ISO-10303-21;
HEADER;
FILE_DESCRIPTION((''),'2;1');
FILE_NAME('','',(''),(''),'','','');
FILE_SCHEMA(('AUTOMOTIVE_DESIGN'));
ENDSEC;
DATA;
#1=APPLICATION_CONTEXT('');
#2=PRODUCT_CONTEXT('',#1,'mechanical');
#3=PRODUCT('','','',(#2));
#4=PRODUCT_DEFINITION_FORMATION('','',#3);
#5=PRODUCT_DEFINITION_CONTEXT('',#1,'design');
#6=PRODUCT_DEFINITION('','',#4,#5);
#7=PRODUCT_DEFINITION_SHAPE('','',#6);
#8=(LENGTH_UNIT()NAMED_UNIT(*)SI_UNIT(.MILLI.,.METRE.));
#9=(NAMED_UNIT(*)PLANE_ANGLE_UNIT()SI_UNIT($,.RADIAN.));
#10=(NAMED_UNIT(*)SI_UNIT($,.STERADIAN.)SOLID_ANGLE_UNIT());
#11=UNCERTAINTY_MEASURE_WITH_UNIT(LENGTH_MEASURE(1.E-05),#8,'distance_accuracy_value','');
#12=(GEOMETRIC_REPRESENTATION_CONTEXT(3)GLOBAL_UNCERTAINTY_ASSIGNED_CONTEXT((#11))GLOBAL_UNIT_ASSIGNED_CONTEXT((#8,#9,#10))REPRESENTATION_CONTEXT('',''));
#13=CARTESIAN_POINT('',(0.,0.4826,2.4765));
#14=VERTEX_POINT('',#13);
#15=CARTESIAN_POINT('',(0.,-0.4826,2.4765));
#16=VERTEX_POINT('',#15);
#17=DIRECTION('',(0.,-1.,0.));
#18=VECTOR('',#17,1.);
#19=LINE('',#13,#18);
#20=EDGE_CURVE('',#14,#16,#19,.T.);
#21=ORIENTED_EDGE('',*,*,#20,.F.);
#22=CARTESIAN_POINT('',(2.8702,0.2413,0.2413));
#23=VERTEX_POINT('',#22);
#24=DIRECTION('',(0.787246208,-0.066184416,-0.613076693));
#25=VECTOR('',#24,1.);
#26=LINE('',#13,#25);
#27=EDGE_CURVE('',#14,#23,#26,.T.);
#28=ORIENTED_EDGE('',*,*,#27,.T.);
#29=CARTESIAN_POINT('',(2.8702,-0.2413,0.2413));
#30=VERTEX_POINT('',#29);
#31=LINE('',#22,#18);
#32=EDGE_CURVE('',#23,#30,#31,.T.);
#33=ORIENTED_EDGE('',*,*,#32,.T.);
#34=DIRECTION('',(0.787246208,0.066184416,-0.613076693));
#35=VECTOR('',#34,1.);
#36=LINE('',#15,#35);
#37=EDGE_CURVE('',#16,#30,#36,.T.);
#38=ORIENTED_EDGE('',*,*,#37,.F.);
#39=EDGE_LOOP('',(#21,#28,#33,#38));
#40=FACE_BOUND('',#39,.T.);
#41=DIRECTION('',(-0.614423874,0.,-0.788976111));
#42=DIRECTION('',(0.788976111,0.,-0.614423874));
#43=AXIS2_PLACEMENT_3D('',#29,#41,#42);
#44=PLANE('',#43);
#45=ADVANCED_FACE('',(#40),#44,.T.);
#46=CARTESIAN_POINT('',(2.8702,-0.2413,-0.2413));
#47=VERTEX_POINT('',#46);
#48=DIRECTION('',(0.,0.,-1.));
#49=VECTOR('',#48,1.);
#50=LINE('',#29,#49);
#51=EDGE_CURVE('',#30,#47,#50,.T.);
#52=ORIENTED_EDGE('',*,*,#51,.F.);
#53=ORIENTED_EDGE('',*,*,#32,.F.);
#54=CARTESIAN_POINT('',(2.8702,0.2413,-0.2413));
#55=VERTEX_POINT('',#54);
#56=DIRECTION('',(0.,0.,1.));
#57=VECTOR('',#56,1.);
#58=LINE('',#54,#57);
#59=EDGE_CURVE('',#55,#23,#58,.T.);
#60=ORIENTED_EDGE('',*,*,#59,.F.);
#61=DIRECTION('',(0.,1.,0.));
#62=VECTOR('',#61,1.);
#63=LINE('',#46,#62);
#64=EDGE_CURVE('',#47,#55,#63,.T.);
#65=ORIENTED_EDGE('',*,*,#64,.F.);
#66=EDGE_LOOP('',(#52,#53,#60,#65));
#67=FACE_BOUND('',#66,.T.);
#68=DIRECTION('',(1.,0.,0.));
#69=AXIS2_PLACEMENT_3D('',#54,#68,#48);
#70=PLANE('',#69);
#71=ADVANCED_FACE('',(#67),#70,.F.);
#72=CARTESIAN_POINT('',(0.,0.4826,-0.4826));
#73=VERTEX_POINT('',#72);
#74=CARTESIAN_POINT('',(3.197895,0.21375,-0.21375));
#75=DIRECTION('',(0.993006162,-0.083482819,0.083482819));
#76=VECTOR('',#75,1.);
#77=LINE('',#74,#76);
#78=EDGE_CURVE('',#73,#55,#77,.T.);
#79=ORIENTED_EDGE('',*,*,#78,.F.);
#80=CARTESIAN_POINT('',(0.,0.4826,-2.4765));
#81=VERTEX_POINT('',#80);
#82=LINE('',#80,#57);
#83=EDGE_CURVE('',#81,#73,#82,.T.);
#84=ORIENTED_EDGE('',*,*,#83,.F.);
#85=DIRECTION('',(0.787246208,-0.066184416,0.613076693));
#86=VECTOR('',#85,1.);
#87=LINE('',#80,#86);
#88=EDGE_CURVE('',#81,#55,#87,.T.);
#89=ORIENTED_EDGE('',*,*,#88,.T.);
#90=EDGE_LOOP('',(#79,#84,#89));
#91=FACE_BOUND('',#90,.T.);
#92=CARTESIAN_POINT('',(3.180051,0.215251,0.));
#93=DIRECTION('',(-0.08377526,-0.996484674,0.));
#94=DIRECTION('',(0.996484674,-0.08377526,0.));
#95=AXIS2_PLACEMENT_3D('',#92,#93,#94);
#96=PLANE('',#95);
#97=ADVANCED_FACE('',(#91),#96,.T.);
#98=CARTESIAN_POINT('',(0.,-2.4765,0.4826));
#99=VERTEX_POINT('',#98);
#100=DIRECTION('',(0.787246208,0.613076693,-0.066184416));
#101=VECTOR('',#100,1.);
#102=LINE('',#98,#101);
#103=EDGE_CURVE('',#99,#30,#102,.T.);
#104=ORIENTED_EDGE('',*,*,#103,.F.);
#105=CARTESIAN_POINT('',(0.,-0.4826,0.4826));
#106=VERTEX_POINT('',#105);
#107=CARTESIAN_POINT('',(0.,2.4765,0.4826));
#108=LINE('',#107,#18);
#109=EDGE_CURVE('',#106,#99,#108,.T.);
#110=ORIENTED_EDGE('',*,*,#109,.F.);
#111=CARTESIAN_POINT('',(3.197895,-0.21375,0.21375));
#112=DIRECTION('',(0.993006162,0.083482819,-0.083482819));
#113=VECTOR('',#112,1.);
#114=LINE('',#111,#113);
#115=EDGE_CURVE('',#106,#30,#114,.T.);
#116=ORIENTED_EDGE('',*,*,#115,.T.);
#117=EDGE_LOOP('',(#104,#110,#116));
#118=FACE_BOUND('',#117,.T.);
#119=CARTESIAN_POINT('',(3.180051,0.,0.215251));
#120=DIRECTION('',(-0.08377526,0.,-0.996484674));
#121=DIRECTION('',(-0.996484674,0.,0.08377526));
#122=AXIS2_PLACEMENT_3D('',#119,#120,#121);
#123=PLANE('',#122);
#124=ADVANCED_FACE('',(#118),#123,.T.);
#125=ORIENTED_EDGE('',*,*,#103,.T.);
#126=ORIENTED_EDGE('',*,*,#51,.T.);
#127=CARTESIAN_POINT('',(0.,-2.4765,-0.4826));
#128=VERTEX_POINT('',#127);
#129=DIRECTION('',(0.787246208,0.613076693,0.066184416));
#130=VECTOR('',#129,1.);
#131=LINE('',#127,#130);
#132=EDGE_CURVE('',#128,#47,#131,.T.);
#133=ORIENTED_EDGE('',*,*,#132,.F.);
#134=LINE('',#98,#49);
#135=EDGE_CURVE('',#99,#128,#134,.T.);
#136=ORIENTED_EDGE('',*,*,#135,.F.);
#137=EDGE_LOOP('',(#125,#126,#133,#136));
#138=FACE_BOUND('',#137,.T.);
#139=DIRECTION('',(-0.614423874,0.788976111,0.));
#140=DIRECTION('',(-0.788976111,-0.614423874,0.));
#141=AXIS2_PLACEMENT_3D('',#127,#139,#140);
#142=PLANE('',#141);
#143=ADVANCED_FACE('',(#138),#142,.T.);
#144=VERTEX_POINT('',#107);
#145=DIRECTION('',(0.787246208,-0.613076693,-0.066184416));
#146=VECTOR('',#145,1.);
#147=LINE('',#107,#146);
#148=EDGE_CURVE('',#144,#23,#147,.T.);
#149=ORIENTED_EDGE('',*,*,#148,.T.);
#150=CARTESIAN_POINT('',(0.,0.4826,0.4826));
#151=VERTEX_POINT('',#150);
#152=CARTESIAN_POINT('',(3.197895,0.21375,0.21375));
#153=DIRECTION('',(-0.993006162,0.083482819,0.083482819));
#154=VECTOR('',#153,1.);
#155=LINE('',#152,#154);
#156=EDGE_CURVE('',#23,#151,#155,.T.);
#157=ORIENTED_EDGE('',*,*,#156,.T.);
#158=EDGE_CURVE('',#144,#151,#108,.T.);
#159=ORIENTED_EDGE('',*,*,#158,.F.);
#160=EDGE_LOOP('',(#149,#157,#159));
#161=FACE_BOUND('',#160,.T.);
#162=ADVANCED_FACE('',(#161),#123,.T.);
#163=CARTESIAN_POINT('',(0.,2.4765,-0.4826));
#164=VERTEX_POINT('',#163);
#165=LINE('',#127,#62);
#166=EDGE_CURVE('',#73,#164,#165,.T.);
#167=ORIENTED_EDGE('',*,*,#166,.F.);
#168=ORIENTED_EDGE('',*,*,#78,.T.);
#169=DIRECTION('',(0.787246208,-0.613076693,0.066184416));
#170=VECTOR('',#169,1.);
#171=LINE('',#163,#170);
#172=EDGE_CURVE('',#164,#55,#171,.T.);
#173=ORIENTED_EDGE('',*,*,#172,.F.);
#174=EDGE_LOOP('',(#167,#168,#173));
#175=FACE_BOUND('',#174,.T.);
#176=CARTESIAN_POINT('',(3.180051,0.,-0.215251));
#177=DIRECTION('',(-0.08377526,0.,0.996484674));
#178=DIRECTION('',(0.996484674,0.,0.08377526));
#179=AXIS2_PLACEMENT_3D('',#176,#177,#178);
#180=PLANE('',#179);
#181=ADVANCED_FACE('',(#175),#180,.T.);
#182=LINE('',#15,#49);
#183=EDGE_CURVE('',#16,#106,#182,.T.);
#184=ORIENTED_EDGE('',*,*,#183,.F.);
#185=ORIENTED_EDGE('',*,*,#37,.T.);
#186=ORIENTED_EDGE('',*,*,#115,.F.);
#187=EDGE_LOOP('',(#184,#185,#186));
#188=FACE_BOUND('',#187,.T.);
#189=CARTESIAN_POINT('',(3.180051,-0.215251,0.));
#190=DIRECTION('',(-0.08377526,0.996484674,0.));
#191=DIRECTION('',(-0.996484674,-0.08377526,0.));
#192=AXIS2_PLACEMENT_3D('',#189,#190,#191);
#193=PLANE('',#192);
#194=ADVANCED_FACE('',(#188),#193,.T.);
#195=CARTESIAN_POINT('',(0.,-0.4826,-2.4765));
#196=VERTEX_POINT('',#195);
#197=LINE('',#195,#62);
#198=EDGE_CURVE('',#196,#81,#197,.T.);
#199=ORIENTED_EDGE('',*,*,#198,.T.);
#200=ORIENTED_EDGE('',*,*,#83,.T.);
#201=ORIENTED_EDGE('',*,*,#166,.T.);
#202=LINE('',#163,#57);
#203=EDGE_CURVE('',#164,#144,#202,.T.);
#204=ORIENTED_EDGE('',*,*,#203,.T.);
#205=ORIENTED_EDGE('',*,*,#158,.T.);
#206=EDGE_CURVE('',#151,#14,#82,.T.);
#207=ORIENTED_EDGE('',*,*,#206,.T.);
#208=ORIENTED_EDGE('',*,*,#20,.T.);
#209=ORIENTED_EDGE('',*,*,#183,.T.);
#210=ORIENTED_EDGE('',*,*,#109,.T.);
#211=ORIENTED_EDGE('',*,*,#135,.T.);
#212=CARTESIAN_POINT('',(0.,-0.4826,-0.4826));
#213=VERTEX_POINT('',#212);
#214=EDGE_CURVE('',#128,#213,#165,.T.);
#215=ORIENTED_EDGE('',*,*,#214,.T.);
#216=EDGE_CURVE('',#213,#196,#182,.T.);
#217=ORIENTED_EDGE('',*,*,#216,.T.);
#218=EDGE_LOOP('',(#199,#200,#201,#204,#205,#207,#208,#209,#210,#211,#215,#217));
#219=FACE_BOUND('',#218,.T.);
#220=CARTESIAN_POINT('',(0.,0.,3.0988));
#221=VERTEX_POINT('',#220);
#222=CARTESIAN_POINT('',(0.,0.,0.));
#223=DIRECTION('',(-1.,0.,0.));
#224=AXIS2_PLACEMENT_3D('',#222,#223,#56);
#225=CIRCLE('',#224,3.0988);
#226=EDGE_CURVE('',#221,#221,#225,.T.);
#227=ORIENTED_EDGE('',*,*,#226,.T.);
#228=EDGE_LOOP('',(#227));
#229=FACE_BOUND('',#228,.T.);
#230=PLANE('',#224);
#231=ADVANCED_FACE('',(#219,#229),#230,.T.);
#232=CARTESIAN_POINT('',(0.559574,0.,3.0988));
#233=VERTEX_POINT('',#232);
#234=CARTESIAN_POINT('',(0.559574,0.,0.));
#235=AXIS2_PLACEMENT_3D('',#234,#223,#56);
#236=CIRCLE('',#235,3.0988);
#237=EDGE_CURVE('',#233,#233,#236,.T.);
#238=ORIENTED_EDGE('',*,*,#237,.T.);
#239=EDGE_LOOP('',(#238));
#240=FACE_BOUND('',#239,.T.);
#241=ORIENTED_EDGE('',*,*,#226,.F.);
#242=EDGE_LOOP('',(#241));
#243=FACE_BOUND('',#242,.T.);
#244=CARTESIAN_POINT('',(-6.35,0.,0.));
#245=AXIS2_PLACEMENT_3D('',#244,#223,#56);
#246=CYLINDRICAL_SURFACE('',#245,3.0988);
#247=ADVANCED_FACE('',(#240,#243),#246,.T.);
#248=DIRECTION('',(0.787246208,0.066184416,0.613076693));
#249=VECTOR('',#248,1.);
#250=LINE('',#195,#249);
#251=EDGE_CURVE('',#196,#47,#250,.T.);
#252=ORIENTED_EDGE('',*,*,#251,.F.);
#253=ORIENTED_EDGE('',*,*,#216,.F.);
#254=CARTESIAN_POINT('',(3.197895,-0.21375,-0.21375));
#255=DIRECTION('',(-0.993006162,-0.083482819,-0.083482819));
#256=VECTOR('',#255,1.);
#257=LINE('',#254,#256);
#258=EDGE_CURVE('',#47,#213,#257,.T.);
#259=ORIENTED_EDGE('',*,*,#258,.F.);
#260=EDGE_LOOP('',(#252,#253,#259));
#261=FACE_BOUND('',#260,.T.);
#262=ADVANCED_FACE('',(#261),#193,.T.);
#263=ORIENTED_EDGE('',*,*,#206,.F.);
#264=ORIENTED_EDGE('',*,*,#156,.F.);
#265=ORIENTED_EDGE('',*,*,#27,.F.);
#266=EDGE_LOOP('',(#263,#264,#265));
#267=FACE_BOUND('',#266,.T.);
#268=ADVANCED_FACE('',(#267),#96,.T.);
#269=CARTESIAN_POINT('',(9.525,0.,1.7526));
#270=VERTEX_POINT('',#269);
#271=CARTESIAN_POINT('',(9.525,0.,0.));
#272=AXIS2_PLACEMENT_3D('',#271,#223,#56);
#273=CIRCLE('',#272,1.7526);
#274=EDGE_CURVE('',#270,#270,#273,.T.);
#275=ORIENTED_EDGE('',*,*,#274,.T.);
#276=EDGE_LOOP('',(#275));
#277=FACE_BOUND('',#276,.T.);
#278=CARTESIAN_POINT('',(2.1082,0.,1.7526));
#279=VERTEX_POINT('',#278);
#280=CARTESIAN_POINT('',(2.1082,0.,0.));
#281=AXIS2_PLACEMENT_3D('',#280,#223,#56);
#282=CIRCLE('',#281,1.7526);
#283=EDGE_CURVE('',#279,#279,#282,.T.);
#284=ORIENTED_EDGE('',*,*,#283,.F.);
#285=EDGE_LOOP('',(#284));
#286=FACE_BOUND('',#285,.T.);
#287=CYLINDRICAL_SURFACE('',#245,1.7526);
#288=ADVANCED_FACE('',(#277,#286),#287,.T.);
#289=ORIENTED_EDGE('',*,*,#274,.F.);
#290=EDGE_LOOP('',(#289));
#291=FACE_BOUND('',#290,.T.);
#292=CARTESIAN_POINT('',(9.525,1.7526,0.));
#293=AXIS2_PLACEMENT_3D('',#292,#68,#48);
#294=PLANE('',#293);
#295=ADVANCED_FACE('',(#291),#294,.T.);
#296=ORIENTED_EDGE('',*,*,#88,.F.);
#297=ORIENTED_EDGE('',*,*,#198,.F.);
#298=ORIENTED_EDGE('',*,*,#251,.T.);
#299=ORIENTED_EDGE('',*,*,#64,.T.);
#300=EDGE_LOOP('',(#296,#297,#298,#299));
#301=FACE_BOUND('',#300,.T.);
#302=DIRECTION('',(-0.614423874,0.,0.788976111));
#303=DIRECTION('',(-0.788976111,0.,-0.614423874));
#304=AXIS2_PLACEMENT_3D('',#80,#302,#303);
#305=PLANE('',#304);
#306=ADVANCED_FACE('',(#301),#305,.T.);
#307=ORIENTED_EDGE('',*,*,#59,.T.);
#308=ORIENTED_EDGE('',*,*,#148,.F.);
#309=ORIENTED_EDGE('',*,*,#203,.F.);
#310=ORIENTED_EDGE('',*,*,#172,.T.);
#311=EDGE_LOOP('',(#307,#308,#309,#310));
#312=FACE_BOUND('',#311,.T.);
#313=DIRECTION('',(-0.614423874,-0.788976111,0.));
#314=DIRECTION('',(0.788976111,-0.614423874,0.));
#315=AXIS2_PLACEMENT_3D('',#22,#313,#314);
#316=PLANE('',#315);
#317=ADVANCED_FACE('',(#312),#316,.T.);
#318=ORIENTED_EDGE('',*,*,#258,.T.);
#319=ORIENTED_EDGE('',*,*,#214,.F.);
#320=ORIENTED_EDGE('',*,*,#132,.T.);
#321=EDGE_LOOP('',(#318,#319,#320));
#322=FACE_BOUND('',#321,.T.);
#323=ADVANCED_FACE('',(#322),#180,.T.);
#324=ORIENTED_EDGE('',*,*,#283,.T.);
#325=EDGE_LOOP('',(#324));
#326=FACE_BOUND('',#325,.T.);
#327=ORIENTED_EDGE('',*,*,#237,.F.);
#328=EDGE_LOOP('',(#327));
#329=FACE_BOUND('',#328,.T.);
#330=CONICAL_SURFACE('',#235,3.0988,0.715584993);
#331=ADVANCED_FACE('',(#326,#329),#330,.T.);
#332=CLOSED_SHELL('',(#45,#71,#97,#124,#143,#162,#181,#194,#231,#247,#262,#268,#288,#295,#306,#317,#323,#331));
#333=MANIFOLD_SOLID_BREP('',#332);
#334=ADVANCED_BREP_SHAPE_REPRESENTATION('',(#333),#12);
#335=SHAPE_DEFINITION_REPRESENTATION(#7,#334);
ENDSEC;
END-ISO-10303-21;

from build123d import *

# Parameters (mm, degrees)
SKETCH3_W         = 0.9652
SKETCH3_H         = 4.953
SKETCH4_W         = 0.4826
SKETCH4_H         = 0.4826
CIRPATTERN1_COUNT = 2
CIRPATTERN1_ANGLE = 90


with BuildPart() as part:
    # BodySke → Base-Revolve (revolve)
    with BuildSketch(Plane.XY):
        Polygon((0, 0), (0, 3.0988), (0.55957405, 3.0988), (2.1082, 1.7526), (9.525, 1.7526), (9.525, 0), align=None)
    revolve(axis=Axis((-6.35, 0, 0), (1, 0, 0)))

    # Sketch3 → Cross section 0
    with BuildSketch(Plane.ZY):
        Rectangle(SKETCH3_W, SKETCH3_H)
    # Sketch4 → Cross section 1
    with BuildSketch(Plane.ZY.offset(-2.8702)):
        Rectangle(SKETCH4_W, SKETCH4_H)
    cross = loft(mode=Mode.SUBTRACT)

    # CirPattern1: Cross ×2 about axis
    cirpattern1_axis = Axis((0, 0, 0), (1, 0, 0))
    for i in range(1, CIRPATTERN1_COUNT):
        add(cross.rotate(cirpattern1_axis, i * CIRPATTERN1_ANGLE / (CIRPATTERN1_COUNT - 1)), mode=Mode.SUBTRACT)


solid = part.part
